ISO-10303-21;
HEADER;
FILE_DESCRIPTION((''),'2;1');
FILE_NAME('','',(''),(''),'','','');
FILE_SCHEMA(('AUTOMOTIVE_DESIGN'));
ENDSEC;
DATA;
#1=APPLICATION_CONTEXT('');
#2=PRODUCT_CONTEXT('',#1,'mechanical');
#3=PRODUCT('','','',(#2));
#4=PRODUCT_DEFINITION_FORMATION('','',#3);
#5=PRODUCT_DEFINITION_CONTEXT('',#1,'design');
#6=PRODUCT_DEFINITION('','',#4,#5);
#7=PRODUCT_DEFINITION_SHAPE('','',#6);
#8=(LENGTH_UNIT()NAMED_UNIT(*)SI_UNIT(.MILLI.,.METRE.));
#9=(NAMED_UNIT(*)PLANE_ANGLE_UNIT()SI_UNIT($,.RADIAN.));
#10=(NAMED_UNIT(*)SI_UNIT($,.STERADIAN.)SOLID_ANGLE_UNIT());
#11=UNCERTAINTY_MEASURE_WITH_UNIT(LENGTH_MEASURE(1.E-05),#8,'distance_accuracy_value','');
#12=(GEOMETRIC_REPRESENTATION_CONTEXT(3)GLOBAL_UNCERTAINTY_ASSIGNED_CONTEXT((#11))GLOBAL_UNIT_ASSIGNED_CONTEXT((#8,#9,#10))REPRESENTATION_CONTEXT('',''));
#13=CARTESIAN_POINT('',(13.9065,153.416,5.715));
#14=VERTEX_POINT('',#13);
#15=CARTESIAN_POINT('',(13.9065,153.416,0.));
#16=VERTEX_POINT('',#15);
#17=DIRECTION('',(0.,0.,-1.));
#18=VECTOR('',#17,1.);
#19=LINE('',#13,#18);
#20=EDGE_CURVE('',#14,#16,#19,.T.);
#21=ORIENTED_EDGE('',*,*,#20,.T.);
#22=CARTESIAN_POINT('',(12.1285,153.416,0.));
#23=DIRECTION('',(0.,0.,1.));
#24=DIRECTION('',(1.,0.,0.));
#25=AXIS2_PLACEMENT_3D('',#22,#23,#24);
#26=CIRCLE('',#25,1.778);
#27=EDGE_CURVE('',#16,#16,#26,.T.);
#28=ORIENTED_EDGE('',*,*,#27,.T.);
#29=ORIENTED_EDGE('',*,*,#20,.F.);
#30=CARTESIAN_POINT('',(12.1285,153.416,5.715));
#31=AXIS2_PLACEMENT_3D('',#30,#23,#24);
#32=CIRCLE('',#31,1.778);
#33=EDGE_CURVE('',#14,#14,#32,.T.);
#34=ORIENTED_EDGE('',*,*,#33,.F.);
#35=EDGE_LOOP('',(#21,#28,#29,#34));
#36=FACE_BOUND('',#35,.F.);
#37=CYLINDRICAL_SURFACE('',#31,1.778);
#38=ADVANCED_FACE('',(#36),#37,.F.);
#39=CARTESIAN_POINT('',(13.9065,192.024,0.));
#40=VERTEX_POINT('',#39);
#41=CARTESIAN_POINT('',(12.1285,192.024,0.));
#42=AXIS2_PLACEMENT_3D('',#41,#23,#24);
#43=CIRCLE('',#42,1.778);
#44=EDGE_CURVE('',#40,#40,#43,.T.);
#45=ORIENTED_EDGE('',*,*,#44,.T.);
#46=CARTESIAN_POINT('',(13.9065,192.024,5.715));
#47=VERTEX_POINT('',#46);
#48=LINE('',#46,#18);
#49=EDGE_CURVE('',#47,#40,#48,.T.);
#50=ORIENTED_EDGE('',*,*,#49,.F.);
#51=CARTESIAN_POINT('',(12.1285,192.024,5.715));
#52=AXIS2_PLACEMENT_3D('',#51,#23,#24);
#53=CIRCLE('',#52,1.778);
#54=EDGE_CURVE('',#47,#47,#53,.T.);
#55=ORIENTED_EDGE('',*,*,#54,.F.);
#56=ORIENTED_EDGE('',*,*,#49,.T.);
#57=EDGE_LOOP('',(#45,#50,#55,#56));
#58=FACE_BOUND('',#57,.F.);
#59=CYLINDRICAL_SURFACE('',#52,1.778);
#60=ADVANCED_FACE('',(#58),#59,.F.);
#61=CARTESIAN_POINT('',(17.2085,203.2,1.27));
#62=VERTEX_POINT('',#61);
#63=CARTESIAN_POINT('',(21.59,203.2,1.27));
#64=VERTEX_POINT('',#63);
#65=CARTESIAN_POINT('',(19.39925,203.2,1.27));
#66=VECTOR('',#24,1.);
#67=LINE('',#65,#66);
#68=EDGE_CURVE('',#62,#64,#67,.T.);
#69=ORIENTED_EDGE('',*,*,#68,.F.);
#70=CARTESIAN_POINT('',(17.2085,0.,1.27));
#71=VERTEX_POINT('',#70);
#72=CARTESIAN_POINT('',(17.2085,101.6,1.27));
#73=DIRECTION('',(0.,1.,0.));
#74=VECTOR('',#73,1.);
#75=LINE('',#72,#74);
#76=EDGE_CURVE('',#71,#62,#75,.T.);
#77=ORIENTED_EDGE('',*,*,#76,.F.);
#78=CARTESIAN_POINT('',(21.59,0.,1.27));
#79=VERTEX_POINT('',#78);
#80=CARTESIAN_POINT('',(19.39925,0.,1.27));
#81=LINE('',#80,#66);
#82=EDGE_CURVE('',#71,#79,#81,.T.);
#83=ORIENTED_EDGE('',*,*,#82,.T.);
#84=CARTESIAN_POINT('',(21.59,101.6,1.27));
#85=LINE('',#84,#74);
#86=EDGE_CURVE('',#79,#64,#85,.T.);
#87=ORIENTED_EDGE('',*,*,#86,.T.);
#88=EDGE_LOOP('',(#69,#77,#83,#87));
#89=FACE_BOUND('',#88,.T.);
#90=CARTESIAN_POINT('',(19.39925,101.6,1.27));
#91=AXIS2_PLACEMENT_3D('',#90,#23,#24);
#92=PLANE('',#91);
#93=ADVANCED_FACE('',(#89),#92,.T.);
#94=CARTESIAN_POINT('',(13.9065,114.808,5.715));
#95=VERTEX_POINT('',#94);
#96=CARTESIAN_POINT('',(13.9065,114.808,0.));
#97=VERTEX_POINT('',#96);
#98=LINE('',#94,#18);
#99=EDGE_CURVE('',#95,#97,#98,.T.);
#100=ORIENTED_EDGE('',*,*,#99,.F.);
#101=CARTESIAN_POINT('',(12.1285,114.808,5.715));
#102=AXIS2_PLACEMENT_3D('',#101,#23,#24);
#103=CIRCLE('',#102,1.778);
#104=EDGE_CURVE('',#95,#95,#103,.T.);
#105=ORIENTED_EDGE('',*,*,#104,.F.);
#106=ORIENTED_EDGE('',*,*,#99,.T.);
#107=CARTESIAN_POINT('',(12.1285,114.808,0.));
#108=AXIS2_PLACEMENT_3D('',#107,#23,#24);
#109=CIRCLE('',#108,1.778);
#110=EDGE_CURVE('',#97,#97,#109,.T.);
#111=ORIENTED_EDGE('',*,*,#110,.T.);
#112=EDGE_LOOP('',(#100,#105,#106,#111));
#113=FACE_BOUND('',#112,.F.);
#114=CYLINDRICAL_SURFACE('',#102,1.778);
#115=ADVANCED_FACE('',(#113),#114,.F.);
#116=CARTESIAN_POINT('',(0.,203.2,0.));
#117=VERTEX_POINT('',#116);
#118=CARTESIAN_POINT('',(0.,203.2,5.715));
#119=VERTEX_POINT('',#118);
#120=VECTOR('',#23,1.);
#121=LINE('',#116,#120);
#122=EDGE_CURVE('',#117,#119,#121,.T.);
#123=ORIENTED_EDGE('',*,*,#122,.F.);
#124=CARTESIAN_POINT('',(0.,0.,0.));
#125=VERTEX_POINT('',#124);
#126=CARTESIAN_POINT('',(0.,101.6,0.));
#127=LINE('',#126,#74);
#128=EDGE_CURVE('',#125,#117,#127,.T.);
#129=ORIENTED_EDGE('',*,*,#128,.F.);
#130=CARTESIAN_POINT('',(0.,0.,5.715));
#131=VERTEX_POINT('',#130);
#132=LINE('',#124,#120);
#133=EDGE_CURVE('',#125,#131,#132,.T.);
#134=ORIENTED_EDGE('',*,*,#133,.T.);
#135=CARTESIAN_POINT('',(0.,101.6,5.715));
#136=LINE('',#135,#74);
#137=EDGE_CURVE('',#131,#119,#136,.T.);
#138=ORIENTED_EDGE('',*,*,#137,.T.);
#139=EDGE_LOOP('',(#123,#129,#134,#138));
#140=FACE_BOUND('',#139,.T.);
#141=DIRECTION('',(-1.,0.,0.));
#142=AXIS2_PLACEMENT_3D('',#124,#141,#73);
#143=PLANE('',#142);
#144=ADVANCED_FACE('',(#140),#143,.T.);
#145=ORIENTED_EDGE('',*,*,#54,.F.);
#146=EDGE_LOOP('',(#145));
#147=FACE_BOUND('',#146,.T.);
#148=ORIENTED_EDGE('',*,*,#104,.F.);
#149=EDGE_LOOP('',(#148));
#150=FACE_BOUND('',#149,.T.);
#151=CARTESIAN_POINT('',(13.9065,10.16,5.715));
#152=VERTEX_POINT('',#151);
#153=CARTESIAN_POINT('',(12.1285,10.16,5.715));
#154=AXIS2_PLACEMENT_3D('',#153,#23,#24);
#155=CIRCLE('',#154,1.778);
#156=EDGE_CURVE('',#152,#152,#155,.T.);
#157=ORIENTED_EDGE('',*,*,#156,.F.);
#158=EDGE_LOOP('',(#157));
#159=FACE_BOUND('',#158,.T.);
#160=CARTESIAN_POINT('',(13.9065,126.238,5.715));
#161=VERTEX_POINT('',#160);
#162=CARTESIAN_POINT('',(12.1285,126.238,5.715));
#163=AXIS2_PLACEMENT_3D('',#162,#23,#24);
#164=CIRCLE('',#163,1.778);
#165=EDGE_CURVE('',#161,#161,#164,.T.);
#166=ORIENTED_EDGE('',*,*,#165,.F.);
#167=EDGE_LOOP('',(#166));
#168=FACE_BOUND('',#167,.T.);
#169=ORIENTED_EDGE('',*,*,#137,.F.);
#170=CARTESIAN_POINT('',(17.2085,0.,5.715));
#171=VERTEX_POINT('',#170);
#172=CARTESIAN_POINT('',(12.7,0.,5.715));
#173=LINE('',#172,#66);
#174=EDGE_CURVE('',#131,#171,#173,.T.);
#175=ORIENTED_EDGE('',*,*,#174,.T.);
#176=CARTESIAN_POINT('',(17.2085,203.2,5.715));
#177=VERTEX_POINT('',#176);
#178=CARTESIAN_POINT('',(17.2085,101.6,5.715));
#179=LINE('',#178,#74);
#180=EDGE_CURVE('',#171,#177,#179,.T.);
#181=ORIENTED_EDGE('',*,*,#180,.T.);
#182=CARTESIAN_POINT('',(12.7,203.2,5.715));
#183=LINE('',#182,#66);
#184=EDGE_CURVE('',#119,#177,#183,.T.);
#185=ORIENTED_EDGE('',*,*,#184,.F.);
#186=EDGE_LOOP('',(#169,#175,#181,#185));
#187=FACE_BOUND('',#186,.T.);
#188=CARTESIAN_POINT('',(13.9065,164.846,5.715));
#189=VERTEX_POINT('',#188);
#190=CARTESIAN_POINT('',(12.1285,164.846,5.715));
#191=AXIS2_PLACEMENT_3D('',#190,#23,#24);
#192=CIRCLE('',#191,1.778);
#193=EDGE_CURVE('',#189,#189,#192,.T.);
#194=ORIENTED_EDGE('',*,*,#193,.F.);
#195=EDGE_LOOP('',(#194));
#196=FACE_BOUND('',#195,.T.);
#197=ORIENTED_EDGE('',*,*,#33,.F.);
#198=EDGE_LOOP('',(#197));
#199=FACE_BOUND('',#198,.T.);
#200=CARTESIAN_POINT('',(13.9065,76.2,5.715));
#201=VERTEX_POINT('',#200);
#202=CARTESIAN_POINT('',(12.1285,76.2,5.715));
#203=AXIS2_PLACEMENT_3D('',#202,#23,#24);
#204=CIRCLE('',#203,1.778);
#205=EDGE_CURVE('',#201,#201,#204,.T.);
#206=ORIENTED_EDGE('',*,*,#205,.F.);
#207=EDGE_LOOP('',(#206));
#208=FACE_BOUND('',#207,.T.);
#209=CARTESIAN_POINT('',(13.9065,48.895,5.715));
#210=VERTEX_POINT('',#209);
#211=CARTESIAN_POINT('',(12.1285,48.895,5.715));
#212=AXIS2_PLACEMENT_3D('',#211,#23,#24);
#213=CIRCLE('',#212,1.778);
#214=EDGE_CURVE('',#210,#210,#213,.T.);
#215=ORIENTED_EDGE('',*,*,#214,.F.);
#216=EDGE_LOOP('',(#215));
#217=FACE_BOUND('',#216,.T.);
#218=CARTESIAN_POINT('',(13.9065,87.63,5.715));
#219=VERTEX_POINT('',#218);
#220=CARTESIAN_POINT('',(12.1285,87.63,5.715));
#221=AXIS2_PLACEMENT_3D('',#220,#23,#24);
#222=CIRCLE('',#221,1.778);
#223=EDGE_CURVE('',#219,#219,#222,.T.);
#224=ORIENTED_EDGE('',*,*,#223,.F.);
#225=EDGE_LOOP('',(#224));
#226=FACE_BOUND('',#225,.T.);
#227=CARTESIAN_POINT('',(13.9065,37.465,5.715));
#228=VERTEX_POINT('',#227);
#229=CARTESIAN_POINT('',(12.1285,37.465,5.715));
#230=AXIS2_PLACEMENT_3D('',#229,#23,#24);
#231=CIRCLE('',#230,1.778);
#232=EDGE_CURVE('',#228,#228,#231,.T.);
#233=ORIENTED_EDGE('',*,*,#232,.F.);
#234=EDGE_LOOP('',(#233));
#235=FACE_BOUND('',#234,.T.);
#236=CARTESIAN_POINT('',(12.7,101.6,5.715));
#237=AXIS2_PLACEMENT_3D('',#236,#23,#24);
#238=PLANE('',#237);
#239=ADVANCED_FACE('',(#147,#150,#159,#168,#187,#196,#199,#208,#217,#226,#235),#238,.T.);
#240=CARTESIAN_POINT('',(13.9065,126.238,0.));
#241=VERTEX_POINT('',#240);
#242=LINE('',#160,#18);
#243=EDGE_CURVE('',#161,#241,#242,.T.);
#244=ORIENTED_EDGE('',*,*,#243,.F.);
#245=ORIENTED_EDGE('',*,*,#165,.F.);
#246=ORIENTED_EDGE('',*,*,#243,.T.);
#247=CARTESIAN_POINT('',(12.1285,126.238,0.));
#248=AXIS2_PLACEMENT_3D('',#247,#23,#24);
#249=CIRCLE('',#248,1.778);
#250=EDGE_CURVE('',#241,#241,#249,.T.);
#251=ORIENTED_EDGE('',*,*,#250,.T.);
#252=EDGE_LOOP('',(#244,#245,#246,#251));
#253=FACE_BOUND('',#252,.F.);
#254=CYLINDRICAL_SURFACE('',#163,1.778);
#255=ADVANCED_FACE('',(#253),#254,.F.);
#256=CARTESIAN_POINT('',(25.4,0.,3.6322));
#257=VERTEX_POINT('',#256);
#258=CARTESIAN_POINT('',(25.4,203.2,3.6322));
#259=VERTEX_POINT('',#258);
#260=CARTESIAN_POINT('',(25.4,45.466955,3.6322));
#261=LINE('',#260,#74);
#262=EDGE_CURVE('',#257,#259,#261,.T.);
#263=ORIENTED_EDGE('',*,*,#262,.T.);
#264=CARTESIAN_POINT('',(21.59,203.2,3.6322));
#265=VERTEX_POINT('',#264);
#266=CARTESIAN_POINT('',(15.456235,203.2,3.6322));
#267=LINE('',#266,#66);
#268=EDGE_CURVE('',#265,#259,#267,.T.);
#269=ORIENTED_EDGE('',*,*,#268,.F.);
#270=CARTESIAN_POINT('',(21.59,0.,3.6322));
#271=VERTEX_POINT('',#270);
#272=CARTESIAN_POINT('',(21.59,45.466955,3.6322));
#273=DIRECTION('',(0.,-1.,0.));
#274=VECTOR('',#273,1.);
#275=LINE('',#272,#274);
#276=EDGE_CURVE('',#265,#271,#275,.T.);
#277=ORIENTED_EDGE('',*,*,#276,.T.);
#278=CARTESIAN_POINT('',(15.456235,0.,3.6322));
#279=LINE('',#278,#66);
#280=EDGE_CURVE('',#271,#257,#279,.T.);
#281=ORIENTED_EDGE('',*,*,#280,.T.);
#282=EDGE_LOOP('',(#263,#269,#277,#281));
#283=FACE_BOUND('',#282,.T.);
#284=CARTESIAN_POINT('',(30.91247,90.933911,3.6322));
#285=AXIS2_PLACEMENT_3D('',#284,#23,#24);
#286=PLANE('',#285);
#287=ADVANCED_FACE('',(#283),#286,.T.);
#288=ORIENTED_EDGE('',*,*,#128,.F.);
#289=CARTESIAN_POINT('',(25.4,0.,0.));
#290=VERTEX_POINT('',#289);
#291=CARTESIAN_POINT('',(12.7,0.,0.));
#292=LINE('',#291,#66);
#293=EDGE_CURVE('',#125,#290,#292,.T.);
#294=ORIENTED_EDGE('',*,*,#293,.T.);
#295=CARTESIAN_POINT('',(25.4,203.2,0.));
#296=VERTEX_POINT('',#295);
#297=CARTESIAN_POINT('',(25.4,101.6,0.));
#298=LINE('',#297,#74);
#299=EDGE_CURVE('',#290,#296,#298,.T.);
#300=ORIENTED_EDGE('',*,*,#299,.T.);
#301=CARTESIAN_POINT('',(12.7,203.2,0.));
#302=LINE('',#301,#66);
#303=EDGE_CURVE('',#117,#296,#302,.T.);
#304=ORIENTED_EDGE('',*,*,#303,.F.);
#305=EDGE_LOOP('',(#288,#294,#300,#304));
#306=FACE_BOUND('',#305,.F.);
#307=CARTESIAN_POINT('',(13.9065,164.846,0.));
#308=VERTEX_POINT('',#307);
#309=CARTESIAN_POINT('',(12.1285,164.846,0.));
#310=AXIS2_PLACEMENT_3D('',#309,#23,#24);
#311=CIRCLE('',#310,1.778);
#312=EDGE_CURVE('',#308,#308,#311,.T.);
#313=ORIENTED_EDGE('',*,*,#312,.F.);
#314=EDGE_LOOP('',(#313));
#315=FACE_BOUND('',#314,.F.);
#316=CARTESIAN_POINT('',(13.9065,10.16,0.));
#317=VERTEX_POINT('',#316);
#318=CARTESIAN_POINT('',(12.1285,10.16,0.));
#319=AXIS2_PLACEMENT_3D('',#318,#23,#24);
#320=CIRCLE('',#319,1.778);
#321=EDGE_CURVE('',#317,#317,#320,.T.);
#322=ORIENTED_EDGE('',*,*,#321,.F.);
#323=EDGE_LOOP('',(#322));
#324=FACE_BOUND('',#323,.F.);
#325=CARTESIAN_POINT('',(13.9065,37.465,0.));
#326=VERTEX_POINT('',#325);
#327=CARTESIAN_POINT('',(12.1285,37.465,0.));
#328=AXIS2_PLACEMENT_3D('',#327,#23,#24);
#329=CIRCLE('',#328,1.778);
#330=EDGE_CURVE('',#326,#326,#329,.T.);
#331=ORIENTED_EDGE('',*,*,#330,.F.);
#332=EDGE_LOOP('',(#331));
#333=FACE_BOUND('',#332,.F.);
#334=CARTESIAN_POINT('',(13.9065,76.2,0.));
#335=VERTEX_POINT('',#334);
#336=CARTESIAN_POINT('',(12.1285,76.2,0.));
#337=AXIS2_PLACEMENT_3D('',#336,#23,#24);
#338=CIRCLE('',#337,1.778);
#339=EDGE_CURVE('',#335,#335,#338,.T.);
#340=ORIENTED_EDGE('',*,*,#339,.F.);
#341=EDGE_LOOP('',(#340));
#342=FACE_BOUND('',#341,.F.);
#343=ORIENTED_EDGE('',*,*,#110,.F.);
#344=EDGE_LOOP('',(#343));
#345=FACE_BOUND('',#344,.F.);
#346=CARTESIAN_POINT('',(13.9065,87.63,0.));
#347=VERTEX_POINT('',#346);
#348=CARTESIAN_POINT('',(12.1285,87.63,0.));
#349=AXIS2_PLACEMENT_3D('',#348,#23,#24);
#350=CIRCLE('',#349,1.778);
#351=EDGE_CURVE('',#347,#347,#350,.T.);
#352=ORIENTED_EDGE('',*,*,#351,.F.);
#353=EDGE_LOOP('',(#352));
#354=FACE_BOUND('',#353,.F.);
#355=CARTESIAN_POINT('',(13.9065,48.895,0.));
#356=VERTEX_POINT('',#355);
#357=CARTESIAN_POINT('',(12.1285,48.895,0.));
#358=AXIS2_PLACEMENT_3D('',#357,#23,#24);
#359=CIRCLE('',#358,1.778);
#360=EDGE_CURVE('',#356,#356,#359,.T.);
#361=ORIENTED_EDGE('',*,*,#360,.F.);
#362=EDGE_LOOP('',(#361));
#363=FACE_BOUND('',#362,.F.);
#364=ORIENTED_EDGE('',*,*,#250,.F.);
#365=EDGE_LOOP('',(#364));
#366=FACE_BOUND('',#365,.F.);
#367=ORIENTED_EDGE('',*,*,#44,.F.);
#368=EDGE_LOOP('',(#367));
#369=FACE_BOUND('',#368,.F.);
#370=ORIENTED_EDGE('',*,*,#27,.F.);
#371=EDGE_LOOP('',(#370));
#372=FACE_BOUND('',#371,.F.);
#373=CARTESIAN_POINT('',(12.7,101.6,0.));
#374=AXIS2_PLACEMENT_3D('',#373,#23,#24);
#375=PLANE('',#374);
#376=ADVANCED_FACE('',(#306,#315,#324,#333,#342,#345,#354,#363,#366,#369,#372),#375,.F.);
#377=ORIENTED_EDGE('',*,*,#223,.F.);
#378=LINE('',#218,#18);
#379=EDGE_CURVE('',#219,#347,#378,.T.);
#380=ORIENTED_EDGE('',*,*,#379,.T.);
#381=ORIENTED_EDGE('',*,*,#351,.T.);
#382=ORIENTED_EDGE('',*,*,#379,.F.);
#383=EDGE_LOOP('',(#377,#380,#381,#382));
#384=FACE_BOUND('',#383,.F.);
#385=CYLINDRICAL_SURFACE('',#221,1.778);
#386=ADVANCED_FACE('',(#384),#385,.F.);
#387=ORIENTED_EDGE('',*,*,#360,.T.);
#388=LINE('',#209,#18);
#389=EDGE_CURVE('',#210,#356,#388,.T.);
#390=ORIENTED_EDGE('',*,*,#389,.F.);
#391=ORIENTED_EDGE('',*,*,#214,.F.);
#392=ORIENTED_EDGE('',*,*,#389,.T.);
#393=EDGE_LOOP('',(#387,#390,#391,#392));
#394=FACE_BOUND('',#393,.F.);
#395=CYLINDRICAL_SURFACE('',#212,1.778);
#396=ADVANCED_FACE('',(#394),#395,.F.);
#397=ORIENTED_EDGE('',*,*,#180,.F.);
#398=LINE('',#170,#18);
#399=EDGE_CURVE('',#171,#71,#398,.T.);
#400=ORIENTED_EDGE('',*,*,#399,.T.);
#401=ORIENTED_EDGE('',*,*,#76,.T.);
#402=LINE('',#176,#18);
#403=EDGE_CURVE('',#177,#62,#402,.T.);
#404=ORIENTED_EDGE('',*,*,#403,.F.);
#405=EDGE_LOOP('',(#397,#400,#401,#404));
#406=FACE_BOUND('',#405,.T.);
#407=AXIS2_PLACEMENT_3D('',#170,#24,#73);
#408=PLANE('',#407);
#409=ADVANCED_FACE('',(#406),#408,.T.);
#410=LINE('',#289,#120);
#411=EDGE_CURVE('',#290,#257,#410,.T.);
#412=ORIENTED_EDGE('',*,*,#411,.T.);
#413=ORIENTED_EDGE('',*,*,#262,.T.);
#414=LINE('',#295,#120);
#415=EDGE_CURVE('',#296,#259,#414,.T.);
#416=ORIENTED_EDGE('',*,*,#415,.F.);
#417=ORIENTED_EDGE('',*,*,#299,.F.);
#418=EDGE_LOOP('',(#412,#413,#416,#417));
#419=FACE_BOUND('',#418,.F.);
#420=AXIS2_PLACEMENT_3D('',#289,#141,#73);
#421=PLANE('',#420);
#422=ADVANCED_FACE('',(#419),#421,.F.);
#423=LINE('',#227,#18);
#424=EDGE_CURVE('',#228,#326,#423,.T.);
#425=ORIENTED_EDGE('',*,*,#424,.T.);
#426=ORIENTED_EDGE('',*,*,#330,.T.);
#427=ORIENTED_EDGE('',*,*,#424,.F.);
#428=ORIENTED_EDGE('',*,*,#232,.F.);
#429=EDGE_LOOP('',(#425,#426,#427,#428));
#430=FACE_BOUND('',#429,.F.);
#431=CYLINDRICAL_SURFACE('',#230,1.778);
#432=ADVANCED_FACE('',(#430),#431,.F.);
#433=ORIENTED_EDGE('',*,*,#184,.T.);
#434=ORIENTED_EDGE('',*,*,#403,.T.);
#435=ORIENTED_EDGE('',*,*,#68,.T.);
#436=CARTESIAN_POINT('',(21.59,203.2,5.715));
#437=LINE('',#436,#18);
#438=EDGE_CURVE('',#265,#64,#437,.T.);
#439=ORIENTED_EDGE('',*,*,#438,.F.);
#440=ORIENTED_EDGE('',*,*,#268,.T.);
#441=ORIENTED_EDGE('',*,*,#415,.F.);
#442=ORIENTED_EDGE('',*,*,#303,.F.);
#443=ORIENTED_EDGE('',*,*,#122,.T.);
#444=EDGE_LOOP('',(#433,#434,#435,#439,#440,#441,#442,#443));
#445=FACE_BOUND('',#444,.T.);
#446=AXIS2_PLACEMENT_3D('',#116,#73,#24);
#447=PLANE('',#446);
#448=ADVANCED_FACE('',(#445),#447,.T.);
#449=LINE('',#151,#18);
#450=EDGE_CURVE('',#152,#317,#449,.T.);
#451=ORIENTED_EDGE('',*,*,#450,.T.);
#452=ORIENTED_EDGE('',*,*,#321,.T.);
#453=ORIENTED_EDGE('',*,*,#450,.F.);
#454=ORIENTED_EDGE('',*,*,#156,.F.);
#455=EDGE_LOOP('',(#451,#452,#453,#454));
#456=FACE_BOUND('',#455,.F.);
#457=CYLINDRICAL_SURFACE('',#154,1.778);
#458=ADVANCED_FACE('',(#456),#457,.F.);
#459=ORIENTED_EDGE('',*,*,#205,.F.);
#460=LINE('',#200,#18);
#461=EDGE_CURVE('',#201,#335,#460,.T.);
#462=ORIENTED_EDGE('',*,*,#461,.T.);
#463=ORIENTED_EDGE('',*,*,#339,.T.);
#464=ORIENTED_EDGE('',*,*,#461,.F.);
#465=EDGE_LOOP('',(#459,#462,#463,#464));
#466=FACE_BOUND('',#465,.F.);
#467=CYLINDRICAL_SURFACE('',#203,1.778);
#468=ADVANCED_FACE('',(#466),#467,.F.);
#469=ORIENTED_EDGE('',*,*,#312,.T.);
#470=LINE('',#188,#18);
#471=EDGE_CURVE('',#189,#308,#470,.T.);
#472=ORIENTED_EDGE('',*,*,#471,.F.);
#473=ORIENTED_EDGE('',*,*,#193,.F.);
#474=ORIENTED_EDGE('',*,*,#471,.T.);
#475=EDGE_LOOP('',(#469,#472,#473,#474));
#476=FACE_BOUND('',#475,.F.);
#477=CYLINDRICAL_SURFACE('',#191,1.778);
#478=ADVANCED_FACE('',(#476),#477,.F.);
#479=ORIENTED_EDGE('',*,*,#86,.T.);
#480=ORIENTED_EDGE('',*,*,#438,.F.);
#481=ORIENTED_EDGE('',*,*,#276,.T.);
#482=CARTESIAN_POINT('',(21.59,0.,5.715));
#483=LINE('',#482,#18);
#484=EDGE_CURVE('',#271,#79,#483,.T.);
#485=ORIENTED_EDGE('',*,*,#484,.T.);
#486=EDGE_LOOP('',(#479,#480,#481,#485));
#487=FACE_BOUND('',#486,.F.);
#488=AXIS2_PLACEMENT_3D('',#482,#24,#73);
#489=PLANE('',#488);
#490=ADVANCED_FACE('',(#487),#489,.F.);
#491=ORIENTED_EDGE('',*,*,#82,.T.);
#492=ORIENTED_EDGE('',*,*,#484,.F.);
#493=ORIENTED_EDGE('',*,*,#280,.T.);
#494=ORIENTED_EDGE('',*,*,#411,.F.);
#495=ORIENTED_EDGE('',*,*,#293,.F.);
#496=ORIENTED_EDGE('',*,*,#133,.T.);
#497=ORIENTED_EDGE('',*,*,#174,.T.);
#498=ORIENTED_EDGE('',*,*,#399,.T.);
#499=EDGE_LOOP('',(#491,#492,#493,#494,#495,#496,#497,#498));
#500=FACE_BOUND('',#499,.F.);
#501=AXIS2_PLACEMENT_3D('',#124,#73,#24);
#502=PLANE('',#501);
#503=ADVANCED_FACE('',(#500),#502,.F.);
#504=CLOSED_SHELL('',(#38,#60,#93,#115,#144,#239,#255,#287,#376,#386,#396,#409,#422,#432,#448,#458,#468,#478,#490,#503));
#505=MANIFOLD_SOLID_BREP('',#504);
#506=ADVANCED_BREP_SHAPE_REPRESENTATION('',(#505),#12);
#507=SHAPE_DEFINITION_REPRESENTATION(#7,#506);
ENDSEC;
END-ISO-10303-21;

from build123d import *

# Parameters (mm, degrees)
F0_W     = 25.4
F0_H     = 203.2
F1_DEPTH = 5.715
F2_W     = 4.3815
F2_H     = 203.2
F3_DEPTH = 4.445
F4_W     = 22.456064
F4_H     = 239.023939
F5_DEPTH = 2.0828
F6_R     = 1.778
F7_DEPTH = 25.4


with BuildPart() as f1:
    # F0 (on Top) → F1 (new body)
    with BuildSketch(Plane.XY):
        with Locations((12.7, 101.6)):
            Rectangle(F0_W, F0_H)
    extrude(amount=F1_DEPTH)

    # F2 (on face) → F3 (cut)
    with BuildSketch(Plane.XY.offset(5.715)):
        with Locations((19.39925, 101.6)):
            Rectangle(F2_W, F2_H)
    extrude(amount=-F3_DEPTH, mode=Mode.SUBTRACT)

    # F4 (on face) → F5 (cut)
    with BuildSketch(Plane.XY.offset(5.715)):
        with Locations((30.91247, 90.933911)):
            Rectangle(F4_W, F4_H)
    extrude(amount=-F5_DEPTH, mode=Mode.SUBTRACT)

    # F6 (on face) → F7 (cut)
    with BuildSketch(Plane.XY.offset(5.715)):
        with Locations((12.1285, 37.465)):
            Circle(F6_R)
        with Locations((12.1285, 10.16)):
            Circle(F6_R)
        with Locations((12.1285, 48.895)):
            Circle(F6_R)
        with Locations((12.1285, 87.63)):
            Circle(F6_R)
        with Locations((12.1285, 76.2)):
            Circle(F6_R)
        with Locations((12.1285, 114.808)):
            Circle(F6_R)
        with Locations((12.1285, 126.238)):
            Circle(F6_R)
        with Locations((12.1285, 153.416)):
            Circle(F6_R)
        with Locations((12.1285, 164.846)):
            Circle(F6_R)
        with Locations((12.1285, 192.024)):
            Circle(F6_R)
    extrude(amount=-F7_DEPTH, mode=Mode.SUBTRACT)


solid = f1.part
